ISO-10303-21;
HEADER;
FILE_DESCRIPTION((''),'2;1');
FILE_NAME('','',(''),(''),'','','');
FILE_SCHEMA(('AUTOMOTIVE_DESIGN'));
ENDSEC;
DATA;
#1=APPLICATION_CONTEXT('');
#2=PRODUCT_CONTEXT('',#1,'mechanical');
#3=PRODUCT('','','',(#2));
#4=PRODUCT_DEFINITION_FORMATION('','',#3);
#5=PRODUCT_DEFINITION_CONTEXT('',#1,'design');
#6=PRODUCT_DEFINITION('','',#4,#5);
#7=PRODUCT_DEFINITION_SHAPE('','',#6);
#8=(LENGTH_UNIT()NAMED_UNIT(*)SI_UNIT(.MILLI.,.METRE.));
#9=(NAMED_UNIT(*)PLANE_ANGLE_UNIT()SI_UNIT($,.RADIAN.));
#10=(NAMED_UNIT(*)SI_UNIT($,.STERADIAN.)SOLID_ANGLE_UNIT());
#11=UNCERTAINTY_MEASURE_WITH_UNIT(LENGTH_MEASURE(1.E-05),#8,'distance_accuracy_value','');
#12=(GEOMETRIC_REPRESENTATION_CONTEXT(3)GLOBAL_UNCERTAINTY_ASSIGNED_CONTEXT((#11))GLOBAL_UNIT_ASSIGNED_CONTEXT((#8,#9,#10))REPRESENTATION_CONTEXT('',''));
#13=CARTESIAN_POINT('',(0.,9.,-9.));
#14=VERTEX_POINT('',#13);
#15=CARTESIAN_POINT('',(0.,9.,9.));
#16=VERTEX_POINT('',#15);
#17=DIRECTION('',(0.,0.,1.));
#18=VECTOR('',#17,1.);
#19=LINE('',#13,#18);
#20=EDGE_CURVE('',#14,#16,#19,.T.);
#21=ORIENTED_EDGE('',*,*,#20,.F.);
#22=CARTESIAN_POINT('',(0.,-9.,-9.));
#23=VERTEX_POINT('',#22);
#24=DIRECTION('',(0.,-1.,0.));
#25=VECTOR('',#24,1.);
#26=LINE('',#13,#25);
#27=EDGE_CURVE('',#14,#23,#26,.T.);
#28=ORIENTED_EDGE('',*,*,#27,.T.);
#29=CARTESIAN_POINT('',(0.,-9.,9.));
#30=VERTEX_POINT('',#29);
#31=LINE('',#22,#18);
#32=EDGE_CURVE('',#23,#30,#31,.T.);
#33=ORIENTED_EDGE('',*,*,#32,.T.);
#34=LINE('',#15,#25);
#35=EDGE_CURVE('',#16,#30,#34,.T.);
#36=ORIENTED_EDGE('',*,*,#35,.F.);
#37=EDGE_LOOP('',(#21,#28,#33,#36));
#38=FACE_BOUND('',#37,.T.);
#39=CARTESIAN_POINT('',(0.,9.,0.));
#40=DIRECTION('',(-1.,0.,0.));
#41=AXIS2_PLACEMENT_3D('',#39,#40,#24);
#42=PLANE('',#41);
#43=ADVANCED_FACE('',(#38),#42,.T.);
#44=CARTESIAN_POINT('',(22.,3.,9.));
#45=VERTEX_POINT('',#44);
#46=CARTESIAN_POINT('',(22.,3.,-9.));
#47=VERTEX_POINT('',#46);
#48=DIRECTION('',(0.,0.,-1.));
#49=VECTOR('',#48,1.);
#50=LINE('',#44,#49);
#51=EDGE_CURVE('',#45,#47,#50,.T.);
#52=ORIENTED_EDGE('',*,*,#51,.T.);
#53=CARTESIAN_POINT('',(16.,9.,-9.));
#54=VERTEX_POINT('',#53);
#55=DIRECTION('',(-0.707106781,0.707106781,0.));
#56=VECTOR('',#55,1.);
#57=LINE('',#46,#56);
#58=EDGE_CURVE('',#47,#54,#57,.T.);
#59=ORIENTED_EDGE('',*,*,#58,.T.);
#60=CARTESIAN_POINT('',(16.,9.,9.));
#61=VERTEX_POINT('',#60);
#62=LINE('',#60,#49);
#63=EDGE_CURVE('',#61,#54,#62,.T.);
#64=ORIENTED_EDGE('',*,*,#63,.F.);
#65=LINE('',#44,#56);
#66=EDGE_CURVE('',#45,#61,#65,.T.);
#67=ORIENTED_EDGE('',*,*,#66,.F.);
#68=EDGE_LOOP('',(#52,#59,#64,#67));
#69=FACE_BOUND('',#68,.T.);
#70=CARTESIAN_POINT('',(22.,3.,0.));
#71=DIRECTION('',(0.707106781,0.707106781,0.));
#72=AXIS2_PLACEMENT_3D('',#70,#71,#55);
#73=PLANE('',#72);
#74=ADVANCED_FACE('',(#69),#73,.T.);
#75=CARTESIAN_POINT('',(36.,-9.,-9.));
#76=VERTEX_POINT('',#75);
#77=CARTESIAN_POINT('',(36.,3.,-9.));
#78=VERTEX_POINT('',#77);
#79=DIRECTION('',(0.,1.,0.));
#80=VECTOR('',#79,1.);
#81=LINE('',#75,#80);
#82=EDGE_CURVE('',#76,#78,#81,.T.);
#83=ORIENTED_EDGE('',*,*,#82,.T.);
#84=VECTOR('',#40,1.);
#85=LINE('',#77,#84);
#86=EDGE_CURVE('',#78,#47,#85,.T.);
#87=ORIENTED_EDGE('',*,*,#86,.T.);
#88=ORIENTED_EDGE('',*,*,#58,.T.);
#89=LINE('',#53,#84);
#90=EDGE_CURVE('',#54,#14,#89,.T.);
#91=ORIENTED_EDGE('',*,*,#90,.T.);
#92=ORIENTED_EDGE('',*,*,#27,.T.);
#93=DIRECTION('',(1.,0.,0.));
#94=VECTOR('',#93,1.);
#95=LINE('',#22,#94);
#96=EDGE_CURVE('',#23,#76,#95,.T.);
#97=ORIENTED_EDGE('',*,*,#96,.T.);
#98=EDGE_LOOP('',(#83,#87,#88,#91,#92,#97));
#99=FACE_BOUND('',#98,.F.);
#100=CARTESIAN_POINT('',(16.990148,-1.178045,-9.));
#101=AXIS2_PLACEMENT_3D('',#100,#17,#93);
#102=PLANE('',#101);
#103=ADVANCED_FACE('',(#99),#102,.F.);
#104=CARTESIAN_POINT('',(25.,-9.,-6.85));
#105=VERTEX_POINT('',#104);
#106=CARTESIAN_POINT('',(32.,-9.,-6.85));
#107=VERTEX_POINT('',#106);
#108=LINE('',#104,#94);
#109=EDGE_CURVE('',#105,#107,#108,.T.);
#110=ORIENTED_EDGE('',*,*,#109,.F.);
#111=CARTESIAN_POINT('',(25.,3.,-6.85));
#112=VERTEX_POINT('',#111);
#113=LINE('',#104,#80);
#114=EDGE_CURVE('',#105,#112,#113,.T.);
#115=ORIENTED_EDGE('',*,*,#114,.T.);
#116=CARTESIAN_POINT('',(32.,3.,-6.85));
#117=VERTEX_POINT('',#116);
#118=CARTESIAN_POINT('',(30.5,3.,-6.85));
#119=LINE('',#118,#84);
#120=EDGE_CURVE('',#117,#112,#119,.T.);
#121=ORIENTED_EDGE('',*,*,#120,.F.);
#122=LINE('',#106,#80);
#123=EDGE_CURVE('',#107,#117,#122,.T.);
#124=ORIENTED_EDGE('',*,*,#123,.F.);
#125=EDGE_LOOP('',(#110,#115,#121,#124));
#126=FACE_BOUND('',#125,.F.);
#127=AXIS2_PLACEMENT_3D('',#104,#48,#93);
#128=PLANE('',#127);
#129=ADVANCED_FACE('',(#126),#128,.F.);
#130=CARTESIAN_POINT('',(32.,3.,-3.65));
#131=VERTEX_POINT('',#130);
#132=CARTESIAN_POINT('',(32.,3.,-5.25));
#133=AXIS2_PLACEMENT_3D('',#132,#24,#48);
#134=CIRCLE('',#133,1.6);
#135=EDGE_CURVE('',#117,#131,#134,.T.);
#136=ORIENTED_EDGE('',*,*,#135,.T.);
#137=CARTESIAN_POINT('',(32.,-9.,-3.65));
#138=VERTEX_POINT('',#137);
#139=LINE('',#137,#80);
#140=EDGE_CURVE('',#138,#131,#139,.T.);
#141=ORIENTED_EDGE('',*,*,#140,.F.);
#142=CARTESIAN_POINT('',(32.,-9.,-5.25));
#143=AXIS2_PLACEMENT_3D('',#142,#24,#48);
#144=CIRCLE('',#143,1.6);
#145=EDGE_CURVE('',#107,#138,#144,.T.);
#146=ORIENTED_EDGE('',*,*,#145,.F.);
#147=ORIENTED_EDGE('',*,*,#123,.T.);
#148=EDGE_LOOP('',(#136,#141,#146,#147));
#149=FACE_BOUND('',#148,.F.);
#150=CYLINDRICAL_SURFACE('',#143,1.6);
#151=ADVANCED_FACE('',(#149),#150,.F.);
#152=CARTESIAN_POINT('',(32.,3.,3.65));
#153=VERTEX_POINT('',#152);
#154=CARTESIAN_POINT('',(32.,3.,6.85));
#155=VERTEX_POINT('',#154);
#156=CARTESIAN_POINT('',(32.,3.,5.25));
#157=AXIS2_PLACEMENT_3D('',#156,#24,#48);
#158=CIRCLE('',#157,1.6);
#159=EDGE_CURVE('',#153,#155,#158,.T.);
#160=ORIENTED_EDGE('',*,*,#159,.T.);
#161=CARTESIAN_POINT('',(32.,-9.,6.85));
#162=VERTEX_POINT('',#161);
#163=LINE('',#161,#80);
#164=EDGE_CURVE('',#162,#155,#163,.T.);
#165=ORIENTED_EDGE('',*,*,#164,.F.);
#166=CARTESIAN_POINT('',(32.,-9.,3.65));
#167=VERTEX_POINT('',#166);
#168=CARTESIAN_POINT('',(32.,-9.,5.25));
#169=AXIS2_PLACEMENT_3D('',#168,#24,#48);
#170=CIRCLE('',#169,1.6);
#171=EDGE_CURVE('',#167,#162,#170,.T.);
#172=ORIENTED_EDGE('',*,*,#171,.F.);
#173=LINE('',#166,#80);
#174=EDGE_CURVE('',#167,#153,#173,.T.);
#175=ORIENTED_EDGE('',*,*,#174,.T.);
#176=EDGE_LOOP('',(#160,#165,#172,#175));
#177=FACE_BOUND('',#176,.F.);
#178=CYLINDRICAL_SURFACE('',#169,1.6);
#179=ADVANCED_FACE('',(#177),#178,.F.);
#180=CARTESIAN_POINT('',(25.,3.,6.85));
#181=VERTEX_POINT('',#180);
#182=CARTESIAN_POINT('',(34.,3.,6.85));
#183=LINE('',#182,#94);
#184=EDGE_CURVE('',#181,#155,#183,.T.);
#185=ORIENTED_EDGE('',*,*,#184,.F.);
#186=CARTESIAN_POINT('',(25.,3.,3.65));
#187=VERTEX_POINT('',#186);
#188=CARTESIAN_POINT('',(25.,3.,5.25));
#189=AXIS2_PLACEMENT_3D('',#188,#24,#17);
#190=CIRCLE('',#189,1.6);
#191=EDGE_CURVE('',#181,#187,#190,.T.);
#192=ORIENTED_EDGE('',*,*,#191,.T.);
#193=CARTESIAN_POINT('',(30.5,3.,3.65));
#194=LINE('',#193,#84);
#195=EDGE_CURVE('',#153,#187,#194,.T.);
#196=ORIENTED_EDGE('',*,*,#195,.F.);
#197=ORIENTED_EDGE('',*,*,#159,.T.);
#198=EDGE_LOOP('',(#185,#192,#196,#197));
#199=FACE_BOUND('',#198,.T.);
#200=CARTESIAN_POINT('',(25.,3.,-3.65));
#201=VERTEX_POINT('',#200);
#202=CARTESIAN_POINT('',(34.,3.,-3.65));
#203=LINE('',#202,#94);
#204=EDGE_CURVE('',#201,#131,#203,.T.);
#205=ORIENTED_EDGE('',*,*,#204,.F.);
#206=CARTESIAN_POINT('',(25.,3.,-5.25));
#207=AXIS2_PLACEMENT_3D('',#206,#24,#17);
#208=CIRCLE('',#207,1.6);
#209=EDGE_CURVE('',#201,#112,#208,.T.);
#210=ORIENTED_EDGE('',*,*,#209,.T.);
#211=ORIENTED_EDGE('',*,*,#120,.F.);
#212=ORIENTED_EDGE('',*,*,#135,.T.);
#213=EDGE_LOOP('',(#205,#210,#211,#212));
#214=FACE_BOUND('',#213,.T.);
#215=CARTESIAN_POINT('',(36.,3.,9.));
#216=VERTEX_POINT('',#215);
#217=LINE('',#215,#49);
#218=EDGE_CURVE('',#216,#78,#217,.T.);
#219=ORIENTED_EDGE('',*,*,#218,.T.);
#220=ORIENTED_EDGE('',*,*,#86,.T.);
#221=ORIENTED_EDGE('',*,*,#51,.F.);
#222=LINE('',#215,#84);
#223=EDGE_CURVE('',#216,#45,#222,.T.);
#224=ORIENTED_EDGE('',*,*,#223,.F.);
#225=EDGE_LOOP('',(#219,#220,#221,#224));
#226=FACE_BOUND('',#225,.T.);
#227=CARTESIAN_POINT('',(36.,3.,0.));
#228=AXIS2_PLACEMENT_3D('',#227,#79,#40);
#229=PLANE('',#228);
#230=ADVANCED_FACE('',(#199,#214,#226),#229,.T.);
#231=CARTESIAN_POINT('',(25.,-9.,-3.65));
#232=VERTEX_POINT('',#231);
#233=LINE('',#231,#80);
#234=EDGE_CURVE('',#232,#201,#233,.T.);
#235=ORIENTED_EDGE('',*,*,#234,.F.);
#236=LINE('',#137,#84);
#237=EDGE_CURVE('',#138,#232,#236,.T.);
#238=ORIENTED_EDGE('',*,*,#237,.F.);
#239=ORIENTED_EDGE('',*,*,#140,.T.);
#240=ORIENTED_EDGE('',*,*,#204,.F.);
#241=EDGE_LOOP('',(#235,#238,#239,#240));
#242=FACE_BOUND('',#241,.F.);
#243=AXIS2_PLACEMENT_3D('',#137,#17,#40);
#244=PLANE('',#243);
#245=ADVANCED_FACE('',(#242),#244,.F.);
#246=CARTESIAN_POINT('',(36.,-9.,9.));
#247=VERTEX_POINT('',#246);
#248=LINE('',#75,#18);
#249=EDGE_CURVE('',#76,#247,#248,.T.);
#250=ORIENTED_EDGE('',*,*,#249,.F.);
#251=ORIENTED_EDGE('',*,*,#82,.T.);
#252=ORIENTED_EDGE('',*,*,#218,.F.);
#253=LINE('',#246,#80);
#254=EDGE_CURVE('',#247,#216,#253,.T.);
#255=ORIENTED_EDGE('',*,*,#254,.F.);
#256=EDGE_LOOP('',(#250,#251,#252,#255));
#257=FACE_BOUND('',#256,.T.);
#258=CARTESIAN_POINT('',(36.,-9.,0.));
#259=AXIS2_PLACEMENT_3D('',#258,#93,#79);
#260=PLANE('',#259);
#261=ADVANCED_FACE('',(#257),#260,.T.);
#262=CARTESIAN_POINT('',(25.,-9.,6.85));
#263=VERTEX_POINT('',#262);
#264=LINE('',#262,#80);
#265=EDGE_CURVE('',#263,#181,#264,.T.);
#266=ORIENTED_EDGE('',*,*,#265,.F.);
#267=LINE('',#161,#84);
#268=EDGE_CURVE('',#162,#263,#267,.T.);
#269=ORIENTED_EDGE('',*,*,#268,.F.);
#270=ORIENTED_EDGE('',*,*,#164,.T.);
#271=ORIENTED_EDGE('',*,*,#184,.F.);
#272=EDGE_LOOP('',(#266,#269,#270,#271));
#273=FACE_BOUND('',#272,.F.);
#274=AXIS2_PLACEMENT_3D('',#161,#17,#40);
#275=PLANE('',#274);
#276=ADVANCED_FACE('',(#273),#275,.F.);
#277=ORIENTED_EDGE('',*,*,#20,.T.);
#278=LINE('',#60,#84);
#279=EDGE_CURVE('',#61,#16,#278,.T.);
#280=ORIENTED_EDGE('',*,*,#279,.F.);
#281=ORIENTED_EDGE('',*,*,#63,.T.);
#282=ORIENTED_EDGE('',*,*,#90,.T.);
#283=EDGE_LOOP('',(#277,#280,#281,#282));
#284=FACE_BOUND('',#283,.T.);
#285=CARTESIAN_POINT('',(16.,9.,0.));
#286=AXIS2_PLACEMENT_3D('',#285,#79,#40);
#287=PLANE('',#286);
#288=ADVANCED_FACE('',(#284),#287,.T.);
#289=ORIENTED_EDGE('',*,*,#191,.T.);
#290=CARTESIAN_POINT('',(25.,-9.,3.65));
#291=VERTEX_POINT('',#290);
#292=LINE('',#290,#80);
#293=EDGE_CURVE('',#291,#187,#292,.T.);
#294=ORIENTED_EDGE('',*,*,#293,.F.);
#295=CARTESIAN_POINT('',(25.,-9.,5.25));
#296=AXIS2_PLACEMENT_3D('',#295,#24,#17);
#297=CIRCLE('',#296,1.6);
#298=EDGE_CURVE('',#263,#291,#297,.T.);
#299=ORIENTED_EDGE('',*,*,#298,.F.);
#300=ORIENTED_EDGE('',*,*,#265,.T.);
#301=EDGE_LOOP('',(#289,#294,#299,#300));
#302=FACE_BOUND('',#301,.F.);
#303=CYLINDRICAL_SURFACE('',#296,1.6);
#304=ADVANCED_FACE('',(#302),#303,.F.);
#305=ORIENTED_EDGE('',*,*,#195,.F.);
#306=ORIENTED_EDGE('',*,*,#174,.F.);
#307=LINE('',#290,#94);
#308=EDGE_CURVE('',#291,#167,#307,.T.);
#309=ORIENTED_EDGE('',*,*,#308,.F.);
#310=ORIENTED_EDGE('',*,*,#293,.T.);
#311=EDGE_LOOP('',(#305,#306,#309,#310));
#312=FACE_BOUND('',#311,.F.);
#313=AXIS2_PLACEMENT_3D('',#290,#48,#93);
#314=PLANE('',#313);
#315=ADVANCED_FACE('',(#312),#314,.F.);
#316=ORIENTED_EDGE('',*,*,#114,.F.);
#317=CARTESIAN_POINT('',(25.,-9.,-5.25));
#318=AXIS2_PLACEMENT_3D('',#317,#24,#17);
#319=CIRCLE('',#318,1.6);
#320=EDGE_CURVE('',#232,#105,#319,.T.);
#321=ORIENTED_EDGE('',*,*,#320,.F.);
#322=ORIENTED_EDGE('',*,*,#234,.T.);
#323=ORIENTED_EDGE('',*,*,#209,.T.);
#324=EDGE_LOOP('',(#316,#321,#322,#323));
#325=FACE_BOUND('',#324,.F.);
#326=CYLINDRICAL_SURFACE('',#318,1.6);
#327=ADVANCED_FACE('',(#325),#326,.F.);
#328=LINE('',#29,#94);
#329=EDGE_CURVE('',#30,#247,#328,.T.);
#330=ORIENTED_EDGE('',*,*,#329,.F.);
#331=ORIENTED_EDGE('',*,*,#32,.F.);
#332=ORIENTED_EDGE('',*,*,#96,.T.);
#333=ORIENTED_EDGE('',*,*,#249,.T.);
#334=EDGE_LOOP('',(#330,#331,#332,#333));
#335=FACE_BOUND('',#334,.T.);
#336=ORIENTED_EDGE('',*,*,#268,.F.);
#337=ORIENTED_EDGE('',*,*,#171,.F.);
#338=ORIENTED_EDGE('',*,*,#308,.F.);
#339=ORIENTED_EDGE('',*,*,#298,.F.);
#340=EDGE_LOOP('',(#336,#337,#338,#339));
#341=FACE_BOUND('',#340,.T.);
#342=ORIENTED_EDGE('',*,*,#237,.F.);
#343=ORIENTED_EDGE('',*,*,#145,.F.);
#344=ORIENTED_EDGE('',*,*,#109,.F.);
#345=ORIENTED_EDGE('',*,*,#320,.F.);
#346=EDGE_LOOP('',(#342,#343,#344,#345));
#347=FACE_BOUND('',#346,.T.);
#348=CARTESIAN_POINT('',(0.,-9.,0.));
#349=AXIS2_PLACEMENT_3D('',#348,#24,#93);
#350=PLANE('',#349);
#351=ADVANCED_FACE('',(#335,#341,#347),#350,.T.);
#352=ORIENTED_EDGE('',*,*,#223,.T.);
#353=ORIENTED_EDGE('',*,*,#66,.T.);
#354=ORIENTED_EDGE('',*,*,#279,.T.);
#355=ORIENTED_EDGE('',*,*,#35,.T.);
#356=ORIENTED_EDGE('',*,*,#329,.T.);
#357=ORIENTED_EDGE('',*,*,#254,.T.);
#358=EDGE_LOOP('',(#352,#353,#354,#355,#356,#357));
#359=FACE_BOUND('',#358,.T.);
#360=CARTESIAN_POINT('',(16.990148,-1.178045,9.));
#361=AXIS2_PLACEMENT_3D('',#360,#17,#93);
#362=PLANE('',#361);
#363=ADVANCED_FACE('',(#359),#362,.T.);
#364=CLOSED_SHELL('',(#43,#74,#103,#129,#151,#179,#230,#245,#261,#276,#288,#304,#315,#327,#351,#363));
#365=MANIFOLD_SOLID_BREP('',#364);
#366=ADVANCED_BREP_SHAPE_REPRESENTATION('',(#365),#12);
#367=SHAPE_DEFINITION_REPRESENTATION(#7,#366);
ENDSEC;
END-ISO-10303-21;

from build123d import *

# Parameters (mm, degrees)
F1_DEPTH = 9
F3_DEPTH = 18.001


with BuildPart() as f1:
    # F0 (on Top) → F1 (new body, symmetric)
    with BuildSketch(Plane.XY):
        Polygon((16, 9), (0, 9), (0, -9), (36, -9), (36, 3), (22, 3), align=None)
    extrude(amount=F1_DEPTH, both=True)

    # F2 (on face) → F3 (cut, through all)
    with BuildSketch(Plane.XZ.offset(9)):
        with BuildLine():
            ThreePointArc((32, 3.6499999762), (33.6000000238, 5.25), (32, 6.8500000238))
            Line((32, 6.8500000238), (25, 6.8500000238))
            ThreePointArc((25, 6.8500000238), (23.3999999762, 5.25), (25, 3.6499999762))
            Line((25, 3.6499999762), (32, 3.6499999762))
        make_face()
        with BuildLine():
            Line((25, -6.8500000238), (32, -6.8500000238))
            ThreePointArc((32, -6.8500000238), (33.6000000238, -5.25), (32, -3.6499999762))
            Line((32, -3.6499999762), (25, -3.6499999762))
            ThreePointArc((25, -3.6499999762), (23.3999999762, -5.25), (25, -6.8500000238))
        make_face()
    extrude(amount=-F3_DEPTH, mode=Mode.SUBTRACT)


solid = f1.part
